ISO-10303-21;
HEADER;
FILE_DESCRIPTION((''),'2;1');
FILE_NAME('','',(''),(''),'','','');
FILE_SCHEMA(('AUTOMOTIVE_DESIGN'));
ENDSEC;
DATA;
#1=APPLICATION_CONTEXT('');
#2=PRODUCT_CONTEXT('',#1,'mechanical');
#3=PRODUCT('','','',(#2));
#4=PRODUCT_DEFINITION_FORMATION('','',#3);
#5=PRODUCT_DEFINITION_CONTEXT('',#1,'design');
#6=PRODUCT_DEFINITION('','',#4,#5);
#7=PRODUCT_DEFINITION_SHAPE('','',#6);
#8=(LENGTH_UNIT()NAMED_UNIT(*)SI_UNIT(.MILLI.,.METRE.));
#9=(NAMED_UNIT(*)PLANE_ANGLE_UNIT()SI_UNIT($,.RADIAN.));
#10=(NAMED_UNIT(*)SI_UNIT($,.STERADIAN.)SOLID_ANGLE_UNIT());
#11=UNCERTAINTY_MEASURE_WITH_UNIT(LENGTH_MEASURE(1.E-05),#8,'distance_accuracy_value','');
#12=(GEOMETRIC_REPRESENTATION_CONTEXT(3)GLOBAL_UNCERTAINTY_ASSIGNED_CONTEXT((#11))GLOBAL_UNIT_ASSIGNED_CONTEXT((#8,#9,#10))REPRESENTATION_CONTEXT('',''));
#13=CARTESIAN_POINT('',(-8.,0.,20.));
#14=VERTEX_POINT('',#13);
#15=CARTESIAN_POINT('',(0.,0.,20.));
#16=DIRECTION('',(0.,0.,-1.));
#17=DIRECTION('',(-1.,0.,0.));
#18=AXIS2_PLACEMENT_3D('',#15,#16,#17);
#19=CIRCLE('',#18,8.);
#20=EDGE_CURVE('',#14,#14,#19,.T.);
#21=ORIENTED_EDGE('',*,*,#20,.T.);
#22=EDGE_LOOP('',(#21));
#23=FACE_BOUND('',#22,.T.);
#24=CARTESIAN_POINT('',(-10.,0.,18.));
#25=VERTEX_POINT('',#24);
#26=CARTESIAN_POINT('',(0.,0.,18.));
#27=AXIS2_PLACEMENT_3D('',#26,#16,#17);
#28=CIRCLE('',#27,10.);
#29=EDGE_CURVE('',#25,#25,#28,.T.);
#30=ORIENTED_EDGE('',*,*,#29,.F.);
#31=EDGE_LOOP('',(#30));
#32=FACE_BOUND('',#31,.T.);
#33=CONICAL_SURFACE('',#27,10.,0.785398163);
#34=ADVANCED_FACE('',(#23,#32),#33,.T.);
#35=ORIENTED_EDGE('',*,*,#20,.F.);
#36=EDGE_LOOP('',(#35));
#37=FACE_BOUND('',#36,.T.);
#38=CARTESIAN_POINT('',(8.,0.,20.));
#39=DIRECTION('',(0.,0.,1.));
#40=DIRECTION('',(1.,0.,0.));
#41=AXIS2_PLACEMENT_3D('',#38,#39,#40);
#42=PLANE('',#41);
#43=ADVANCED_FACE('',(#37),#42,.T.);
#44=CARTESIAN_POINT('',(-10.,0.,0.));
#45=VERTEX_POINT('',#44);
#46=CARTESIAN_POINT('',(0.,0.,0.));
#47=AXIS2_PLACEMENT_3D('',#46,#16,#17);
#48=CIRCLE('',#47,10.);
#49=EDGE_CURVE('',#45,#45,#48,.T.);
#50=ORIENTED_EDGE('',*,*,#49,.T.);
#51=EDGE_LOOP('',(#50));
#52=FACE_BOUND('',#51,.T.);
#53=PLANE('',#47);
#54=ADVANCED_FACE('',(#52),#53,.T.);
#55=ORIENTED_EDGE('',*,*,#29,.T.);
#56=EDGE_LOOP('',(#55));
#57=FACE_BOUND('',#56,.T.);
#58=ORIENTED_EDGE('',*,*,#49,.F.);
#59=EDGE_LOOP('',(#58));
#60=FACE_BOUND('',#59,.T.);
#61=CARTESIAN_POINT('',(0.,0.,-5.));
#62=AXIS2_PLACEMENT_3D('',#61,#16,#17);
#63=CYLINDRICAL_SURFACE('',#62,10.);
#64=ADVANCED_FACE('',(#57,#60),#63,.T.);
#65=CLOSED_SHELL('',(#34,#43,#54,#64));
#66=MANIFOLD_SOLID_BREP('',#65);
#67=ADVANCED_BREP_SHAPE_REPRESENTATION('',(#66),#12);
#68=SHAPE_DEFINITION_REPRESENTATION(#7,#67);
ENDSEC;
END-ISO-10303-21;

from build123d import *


with BuildPart() as part:
    # sketch:main-profile → feature:chamfer-profile (revolve)
    with BuildSketch(Plane.XZ, mode=Mode.PRIVATE) as feature_chamfer_profile_sk:
        Polygon((0, 0), (10, 0), (10, 18), (8, 20), (0, 20), align=None)
    revolve(feature_chamfer_profile_sk.sketch.rotate(Axis((0, 0, -5), (0, 0, 1)), 180), axis=Axis((0, 0, -5), (0, 0, 1)))


solid = part.part
